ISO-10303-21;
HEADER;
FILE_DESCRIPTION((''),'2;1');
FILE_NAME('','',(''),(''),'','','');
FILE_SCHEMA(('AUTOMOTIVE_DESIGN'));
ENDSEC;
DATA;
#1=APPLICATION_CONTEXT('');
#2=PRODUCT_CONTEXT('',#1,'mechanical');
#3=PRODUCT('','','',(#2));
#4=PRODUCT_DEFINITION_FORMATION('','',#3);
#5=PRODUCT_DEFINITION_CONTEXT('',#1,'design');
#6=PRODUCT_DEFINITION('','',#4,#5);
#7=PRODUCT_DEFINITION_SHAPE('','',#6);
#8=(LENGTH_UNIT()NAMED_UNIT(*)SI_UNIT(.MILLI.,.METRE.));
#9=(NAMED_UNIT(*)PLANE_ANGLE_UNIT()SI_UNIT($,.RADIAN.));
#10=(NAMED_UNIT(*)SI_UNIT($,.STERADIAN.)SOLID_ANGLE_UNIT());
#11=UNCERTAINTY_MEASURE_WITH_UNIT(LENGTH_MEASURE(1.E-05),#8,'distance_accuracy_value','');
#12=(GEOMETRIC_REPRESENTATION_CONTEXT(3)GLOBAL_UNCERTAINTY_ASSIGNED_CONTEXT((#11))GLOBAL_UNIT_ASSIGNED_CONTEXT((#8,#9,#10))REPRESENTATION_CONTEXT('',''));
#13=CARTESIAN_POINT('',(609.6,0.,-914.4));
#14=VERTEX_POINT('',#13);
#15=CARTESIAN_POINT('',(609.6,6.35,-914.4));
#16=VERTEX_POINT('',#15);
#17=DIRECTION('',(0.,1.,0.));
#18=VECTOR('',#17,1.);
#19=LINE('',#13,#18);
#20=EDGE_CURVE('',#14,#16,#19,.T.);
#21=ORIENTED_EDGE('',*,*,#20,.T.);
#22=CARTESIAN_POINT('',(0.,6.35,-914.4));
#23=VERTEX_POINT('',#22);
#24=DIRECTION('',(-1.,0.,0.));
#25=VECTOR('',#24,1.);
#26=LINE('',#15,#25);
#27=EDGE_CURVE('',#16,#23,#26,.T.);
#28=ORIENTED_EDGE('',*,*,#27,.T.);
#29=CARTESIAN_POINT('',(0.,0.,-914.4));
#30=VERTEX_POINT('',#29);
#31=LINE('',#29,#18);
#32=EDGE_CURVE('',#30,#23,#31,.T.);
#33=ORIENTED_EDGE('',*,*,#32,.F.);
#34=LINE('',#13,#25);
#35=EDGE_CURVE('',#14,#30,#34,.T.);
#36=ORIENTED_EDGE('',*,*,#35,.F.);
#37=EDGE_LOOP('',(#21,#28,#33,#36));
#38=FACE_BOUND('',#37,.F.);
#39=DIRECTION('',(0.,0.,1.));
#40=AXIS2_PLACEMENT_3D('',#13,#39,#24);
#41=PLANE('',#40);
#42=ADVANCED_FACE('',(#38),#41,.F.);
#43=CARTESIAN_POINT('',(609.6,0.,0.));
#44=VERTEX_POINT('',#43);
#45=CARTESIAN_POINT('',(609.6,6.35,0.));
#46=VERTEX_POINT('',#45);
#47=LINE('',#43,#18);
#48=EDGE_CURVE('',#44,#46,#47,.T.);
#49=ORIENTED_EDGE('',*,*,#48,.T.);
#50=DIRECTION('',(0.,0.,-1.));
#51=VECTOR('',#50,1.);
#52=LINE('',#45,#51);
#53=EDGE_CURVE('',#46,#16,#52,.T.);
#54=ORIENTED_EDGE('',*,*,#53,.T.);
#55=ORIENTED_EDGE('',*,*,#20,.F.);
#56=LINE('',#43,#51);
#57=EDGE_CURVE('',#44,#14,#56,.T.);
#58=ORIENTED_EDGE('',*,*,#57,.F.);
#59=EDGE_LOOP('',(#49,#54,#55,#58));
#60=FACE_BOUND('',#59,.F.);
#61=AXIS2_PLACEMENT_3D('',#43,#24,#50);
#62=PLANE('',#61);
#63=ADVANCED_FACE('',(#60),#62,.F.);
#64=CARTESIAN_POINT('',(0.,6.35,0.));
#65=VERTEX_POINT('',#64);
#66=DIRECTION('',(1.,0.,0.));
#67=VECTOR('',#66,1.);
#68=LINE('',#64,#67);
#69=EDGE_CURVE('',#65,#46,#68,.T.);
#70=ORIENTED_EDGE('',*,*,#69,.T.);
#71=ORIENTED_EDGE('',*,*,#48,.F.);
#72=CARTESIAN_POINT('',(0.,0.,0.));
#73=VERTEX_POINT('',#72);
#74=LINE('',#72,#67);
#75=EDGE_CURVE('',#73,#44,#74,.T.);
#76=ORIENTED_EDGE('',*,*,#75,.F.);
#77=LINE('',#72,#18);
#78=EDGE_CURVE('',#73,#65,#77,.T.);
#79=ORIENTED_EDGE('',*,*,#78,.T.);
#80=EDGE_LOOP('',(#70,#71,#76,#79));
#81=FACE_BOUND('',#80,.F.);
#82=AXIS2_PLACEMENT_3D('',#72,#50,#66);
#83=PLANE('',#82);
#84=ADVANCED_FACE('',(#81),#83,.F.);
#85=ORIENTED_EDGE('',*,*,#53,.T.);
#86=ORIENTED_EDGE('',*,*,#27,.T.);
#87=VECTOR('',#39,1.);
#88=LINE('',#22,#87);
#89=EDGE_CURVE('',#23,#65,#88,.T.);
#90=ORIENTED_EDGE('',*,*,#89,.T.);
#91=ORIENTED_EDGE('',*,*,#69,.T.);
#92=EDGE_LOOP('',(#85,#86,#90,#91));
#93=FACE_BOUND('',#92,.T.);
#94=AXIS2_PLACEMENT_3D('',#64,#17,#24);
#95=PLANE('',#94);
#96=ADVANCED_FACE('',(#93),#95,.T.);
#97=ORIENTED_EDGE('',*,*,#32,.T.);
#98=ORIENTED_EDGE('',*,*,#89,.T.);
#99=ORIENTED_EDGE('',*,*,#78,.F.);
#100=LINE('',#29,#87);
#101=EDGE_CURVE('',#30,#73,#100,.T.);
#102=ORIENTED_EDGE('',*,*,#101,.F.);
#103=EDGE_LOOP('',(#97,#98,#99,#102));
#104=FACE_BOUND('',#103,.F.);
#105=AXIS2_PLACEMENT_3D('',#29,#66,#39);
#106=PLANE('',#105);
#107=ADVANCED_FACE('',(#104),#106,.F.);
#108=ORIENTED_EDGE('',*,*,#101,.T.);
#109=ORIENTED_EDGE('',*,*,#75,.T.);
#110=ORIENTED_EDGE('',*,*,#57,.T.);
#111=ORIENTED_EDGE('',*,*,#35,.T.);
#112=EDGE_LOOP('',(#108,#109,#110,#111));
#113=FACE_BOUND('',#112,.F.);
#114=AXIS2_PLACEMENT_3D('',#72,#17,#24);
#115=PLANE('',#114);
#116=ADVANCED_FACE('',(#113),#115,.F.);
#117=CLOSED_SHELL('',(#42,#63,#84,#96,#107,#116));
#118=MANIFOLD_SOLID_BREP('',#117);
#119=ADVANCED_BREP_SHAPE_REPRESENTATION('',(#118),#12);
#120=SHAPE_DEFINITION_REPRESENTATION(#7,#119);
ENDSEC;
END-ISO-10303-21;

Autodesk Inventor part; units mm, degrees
ref_plane "YZ Plane" through (0, 0, 0) normal (1, 0, 0) x (0, 1, 0)
ref_plane "XZ Plane" through (0, 0, 0) normal (0, 1, 0) x (-1, 0, 0)
ref_plane "XY Plane" through (0, 0, 0) normal (0, 0, 1) x (1, 0, 0)
sketch "Sketch1" plane through (0, 0, 0) normal (0, 1, 0) x (-1, 0, 0)
  line L0 (0, 0) -> (-609.6, 0)
  line L1 (-609.6, 0) -> (-609.6, -914.4)
  line L2 (-609.6, -914.4) -> (0, -914.4)
  line L3 (0, -914.4) -> (0, 0)
  dimension "d0" = 609.6
  dimension "d1" = 914.4
extrude "Extrusion1" add sketch "Sketch1" along normal blind 6.35
properties part number "BottomV1"
